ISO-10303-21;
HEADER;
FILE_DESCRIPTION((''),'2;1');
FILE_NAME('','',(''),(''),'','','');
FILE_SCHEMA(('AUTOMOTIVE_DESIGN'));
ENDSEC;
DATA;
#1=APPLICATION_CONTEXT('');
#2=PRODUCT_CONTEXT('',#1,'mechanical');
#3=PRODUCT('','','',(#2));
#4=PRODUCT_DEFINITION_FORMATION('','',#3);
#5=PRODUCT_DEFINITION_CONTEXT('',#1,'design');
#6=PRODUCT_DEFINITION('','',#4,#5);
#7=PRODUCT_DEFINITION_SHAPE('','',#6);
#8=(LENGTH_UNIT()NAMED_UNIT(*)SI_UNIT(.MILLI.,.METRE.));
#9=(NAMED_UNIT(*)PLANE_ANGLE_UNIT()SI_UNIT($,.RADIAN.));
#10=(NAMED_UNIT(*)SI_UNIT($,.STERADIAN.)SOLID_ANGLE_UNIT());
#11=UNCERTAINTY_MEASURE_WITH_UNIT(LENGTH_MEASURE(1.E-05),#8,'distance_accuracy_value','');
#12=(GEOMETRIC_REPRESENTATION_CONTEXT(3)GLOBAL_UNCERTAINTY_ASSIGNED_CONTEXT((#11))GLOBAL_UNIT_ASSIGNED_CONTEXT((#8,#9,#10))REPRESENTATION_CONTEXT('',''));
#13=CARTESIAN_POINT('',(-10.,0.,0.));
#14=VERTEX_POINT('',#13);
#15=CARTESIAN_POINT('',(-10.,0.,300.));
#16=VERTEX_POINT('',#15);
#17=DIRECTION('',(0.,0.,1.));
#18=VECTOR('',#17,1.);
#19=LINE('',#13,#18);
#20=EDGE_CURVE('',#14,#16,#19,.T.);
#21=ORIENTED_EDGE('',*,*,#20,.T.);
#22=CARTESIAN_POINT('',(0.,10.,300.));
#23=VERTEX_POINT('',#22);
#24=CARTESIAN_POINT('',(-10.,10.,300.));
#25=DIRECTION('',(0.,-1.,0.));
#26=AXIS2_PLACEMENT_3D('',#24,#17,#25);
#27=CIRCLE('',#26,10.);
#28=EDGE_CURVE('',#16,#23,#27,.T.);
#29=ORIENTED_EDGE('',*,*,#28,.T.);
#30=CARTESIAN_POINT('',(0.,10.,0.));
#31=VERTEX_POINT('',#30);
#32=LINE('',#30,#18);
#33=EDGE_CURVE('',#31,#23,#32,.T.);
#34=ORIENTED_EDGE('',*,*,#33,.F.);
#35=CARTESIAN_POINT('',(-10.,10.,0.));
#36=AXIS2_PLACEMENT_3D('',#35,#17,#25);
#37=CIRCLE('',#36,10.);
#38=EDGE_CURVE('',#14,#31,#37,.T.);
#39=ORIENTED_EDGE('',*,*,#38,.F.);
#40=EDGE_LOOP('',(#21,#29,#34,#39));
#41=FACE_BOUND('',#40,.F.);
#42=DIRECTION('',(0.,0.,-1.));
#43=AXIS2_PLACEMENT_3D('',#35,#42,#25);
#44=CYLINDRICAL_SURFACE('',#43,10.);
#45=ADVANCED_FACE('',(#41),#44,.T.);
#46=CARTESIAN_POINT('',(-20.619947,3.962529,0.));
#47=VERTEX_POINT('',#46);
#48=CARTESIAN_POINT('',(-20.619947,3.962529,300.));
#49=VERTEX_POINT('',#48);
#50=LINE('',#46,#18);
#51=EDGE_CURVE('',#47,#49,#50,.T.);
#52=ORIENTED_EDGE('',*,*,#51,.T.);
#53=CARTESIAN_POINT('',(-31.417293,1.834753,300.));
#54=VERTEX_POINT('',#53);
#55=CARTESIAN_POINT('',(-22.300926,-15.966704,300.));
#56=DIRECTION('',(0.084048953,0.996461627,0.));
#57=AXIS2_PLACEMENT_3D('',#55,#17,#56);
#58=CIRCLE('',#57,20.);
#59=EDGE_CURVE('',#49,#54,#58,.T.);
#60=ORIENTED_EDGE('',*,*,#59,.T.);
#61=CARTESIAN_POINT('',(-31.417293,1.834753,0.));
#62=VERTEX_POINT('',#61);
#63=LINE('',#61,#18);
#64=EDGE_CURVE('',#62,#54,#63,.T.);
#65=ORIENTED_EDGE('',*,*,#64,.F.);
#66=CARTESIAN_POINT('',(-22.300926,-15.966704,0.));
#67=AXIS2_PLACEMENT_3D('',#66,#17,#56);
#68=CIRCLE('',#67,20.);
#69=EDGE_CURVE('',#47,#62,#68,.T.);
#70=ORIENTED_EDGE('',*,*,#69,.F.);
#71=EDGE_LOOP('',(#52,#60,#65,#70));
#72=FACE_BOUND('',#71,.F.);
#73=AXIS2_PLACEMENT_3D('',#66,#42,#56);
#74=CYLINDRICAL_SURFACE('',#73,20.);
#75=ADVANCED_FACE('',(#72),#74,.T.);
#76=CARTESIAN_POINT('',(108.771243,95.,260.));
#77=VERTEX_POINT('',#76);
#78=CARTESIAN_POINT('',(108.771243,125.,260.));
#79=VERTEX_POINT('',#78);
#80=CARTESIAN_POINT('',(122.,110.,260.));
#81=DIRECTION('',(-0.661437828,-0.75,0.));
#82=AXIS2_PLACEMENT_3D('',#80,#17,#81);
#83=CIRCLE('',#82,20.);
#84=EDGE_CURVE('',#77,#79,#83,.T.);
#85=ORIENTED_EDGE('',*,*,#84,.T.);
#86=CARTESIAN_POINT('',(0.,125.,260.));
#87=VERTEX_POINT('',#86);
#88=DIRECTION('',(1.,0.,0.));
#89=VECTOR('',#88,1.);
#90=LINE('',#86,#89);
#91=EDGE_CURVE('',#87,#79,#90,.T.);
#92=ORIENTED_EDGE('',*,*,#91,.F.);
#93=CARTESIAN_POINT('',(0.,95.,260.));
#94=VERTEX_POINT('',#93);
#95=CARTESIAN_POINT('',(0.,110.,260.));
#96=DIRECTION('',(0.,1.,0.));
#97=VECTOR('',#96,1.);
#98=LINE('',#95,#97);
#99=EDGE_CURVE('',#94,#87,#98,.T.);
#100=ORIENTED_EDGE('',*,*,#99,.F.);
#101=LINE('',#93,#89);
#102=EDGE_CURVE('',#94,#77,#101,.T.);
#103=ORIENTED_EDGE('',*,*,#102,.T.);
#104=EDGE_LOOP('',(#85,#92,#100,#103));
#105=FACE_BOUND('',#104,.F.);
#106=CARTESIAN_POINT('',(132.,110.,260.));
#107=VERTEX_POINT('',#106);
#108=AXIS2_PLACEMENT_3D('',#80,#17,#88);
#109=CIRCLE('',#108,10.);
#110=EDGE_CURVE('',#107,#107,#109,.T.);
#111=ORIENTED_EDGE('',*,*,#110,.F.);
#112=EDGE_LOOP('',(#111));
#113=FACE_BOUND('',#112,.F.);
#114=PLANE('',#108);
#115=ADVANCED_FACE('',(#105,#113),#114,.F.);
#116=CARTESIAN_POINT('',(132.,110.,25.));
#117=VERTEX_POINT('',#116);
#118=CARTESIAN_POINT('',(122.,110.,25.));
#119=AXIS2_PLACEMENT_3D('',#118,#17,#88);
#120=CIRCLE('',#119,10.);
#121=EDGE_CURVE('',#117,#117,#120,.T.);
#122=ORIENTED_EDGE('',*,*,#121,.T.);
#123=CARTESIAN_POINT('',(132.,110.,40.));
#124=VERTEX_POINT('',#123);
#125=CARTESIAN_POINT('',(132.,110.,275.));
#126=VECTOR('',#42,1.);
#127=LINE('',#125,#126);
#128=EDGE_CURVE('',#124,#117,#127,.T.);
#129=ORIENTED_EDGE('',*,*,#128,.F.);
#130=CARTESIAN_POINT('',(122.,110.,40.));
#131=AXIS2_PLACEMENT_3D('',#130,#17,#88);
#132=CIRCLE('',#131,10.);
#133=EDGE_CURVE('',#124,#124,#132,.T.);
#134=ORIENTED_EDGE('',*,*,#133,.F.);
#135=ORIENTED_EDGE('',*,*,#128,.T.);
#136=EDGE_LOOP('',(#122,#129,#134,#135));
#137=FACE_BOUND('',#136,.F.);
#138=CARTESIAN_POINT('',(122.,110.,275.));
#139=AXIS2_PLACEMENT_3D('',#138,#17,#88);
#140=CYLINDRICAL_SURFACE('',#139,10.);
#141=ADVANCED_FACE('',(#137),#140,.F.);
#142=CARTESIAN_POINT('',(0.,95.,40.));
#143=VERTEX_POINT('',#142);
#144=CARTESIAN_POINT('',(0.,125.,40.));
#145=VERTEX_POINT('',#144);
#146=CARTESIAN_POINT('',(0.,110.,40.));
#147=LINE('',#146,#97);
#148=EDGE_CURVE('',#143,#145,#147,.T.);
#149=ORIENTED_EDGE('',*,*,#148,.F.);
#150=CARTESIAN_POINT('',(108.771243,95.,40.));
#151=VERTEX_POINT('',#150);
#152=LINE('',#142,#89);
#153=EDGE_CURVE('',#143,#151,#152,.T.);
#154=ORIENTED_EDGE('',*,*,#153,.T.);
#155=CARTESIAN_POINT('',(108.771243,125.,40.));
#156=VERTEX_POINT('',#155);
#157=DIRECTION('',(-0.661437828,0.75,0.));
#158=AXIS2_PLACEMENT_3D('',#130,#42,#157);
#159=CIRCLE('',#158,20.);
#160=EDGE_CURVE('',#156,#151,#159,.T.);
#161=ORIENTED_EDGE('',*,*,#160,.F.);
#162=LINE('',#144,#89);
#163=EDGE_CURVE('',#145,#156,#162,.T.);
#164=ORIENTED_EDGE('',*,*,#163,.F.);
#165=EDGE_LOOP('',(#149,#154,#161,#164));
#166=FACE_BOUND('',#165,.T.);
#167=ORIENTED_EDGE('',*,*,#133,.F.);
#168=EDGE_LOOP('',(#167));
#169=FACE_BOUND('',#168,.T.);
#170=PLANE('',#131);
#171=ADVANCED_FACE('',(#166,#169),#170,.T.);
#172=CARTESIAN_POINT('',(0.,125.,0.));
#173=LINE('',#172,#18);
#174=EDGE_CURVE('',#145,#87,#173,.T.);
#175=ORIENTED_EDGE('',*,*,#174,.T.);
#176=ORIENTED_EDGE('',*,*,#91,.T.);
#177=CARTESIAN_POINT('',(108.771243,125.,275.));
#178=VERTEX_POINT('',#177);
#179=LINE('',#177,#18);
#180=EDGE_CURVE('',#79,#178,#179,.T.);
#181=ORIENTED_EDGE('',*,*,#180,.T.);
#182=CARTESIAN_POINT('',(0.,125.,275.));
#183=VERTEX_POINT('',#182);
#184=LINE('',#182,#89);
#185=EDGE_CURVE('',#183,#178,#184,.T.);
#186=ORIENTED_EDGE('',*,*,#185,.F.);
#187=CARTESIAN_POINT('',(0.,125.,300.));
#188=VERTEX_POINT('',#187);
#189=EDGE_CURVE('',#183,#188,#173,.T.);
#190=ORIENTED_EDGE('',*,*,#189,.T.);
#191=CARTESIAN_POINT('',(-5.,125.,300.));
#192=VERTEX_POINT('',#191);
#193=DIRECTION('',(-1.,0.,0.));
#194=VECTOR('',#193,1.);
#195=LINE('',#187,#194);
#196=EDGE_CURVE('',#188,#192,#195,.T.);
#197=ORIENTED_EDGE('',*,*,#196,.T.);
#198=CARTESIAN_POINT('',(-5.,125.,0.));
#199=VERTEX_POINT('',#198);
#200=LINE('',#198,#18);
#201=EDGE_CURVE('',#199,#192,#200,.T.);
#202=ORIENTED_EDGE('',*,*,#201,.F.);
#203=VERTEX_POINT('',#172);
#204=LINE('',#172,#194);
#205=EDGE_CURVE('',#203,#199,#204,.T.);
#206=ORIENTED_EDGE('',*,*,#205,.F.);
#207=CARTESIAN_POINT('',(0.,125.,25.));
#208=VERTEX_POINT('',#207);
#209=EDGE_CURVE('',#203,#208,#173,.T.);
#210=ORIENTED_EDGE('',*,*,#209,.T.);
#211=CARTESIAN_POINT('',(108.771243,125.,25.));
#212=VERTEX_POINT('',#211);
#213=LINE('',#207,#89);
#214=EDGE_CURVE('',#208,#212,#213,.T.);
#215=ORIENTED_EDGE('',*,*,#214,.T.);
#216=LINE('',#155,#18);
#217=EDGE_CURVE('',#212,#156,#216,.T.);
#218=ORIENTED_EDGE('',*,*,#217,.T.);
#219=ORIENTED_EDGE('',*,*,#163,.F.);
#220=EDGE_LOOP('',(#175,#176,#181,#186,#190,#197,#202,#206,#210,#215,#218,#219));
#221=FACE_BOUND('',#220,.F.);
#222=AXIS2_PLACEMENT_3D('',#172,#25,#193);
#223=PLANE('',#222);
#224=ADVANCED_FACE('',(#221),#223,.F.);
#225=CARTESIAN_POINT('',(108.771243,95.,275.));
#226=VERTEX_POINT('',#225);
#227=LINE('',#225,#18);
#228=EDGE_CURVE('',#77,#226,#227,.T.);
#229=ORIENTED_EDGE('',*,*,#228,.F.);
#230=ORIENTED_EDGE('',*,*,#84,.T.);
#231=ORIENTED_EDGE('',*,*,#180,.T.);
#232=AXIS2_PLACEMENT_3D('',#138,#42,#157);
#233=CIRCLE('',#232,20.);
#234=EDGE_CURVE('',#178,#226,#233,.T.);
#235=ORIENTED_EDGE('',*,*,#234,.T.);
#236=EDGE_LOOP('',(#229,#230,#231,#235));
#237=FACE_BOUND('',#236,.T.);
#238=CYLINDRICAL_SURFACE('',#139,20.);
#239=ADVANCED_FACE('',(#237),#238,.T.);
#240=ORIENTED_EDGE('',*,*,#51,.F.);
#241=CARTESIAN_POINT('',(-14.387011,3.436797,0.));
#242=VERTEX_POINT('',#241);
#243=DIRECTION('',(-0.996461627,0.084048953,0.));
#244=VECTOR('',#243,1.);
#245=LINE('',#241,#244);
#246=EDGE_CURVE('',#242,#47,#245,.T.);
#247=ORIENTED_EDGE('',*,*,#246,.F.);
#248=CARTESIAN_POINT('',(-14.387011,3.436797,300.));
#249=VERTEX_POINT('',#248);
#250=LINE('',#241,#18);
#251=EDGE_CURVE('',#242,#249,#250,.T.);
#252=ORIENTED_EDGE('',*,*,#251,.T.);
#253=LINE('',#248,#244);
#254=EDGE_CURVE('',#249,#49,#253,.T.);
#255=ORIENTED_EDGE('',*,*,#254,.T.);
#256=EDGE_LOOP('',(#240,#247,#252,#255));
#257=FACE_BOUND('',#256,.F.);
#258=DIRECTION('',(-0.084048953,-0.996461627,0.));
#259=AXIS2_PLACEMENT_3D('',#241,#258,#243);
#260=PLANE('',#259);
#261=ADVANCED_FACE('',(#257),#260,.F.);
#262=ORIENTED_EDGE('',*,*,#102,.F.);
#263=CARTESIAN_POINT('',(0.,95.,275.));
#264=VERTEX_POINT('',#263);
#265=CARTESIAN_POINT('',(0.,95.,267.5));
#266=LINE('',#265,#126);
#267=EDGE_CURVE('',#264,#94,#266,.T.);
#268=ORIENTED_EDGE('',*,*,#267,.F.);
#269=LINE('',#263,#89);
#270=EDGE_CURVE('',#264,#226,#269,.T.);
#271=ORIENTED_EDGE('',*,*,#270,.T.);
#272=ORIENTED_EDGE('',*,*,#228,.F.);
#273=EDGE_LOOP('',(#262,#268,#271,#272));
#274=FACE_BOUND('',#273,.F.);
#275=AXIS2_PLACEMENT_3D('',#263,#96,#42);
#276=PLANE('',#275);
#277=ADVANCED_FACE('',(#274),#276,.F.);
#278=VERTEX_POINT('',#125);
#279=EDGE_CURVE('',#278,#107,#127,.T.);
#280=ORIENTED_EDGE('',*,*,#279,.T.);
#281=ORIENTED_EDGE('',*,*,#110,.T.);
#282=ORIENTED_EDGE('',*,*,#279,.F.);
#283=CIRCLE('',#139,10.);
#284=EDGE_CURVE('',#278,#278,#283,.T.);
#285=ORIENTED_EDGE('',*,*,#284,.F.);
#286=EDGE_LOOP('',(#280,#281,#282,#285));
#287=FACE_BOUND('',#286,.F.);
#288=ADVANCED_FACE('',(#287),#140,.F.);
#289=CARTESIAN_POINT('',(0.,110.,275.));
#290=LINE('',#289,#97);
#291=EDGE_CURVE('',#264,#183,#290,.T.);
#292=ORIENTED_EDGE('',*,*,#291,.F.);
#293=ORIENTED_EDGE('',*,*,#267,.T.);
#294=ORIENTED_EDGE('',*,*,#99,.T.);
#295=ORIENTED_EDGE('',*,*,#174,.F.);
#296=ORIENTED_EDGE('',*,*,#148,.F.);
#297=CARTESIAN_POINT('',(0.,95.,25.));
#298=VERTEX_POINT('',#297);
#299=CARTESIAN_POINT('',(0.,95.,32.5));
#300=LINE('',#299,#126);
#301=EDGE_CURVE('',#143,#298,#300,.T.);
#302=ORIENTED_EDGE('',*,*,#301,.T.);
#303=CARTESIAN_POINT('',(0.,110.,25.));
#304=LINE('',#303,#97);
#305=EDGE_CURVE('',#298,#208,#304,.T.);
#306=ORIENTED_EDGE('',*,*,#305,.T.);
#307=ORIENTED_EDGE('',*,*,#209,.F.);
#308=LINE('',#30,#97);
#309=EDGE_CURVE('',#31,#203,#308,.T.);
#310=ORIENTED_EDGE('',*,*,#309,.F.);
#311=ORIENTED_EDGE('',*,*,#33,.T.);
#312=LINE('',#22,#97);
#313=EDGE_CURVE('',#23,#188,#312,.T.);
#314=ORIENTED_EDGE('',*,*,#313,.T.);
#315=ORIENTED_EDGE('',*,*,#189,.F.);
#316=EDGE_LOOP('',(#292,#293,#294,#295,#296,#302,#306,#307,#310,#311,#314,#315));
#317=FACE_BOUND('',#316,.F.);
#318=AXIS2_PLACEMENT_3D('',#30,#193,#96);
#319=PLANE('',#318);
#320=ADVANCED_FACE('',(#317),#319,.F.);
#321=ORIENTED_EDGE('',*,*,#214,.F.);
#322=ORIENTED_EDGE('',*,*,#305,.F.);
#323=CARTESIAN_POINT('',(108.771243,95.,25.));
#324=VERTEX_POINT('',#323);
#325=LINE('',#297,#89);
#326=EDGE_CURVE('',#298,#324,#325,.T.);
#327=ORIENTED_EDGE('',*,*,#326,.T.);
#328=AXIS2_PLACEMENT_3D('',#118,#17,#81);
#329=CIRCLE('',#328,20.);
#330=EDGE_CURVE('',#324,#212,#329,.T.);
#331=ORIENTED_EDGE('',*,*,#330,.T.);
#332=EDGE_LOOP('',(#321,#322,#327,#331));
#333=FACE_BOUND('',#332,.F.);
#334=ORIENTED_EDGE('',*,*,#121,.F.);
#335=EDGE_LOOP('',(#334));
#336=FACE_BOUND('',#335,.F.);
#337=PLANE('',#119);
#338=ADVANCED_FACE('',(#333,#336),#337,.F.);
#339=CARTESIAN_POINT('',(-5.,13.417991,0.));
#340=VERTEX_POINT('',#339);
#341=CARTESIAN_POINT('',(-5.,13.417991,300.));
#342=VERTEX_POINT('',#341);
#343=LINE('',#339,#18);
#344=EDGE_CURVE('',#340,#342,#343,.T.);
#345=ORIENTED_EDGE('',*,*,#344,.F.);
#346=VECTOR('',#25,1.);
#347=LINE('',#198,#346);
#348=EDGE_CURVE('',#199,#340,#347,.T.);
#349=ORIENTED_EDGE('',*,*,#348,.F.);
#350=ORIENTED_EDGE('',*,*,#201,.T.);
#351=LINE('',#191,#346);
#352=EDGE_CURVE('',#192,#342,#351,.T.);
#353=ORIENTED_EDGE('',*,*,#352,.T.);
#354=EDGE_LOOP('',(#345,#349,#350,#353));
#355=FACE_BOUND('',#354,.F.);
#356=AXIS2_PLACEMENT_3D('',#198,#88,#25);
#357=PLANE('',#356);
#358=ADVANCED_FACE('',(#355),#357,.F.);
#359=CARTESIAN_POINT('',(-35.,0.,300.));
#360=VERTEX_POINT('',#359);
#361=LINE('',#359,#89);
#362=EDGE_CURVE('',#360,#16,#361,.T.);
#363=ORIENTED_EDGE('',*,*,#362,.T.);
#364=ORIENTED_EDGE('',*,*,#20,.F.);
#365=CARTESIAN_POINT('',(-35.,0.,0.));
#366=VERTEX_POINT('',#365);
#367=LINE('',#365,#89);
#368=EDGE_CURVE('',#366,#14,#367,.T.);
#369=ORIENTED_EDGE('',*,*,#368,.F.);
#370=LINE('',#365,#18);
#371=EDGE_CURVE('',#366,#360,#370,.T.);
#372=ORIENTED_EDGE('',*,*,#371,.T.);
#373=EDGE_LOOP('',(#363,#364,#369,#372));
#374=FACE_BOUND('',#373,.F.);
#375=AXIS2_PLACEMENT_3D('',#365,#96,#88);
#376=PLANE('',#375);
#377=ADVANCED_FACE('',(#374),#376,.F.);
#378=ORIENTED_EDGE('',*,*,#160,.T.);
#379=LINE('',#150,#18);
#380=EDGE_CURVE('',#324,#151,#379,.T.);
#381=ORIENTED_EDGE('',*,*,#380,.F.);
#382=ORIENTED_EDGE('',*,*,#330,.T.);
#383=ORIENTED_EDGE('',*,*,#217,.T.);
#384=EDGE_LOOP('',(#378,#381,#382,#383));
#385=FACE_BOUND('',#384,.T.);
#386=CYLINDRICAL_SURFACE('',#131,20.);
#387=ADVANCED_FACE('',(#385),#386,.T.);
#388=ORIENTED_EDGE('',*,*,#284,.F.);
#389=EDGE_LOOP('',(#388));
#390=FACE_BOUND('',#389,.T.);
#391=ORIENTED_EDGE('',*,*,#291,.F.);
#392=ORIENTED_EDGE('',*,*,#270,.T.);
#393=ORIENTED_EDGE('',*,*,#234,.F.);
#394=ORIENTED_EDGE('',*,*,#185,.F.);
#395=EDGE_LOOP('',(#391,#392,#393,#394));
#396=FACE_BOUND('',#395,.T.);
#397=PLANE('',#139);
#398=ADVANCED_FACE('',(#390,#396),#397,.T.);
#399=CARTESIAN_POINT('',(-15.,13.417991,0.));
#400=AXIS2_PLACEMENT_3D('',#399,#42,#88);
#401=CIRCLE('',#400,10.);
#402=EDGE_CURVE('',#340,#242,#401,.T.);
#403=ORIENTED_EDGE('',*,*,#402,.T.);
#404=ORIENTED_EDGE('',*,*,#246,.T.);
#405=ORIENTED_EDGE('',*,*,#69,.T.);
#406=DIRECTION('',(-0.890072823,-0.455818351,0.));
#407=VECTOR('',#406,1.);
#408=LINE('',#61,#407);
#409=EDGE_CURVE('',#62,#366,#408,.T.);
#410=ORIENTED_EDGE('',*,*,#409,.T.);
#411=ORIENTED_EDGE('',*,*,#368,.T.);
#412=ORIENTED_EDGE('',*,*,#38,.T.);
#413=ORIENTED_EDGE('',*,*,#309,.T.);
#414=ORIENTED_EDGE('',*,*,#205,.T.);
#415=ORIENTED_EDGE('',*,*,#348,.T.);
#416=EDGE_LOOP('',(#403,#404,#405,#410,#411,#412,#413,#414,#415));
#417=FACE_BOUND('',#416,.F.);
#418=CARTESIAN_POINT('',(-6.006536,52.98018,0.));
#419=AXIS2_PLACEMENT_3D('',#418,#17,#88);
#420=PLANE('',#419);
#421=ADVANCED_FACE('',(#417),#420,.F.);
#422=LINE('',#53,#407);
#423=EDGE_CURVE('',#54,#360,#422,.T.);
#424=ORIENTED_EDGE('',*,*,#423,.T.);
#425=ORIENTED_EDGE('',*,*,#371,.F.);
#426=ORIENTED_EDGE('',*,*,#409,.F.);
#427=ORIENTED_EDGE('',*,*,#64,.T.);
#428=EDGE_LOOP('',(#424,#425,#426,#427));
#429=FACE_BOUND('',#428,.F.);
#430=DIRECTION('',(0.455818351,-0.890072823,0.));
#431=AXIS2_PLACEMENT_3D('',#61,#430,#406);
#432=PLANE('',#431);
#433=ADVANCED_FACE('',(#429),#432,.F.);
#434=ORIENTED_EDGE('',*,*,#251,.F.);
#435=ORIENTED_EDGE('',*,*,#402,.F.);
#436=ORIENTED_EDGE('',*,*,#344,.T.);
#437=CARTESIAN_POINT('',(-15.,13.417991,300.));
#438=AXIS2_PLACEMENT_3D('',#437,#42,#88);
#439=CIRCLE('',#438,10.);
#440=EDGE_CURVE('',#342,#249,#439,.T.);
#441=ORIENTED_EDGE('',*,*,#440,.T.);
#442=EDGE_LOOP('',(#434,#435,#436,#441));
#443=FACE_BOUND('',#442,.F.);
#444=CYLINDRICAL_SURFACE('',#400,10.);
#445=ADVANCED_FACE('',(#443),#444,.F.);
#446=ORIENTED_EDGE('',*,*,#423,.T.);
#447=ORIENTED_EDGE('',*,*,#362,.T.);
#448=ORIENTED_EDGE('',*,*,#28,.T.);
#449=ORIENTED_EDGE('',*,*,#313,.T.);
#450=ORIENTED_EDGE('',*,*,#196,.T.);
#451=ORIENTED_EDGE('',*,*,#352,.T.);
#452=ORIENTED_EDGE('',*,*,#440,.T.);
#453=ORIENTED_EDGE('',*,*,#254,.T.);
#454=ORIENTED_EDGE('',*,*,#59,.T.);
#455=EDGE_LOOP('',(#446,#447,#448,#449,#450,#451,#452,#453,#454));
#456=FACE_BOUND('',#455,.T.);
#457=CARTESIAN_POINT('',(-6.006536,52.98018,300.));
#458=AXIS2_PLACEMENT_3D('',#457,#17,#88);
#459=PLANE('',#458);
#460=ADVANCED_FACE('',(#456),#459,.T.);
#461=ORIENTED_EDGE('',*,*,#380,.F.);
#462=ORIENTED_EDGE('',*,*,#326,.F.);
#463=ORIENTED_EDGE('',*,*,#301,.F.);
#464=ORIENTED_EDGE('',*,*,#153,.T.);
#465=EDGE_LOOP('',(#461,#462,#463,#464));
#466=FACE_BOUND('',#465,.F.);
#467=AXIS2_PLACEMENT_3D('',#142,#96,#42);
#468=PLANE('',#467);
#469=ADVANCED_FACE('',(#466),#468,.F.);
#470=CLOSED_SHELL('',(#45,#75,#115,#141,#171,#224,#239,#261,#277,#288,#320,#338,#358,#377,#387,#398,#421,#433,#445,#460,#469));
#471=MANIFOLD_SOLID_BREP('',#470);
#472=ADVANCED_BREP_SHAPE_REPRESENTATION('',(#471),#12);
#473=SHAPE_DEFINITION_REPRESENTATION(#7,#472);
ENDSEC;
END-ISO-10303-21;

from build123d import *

# Parameters (mm, degrees)
BOSS_EXTRU_1_DEPTH      = 300
ESQUISSE3_W             = 15
ESQUISSE3_H             = 30
BOSS_EXTRU_2_DEPTH      = 115
ESQUISSE4_R             = 20
BOSS_EXTRU_3_DEPTH      = 15
ESQUISSE6_R             = 20
BOSS_EXTRU_4_DEPTH      = 15
ESQUISSE5_R             = 10
ENL_V_MAT_EXTRU_1_DEPTH = 276


with BuildPart() as part:
    # Esquisse1 → Boss.-Extru.1 (new body)
    with BuildSketch(Plane.XY):
        with BuildLine():
            Line((-5, 125), (-5, 35))
            Line((-5, 35), (-5, 13.417991274))
            ThreePointArc((-5, 13.417991274), (-7.715430946, 6.567075008), (-14.387010739, 3.436796748))
            Line((-14.387010739, 3.436796748), (-20.619947118, 3.962528759))
            ThreePointArc((-20.619947118, 3.962528759), (-26.167850826, 3.655908021), (-31.417293187, 1.834752694))
            Line((-31.417293187, 1.834752694), (-35, 0))
            Line((-35, 0), (-10, 0))
            ThreePointArc((-10, 0), (-2.928932188, 2.928932188), (0, 10))
            Line((0, 10), (0, 30))
            Line((0, 30), (0, 125))
            Line((0, 125), (-5, 125))
        make_face()
    extrude(amount=BOSS_EXTRU_1_DEPTH)

    # Esquisse3 → Boss.-Extru.2 (add)
    with BuildSketch(Plane(origin=(0, 0, 0), x_dir=(0, 0, -1), z_dir=(1, 0, 0))):
        with Locations((-267.5, 110)):
            Rectangle(ESQUISSE3_W, ESQUISSE3_H)
        with Locations((-32.5, 110)):
            Rectangle(ESQUISSE3_W, ESQUISSE3_H)
    extrude(amount=BOSS_EXTRU_2_DEPTH)

    # Esquisse4 → Boss.-Extru.3 (add)
    with BuildSketch(Plane.XY.offset(275)):
        with Locations((122, 110)):
            Circle(ESQUISSE4_R)
    extrude(amount=-BOSS_EXTRU_3_DEPTH)

    # Esquisse6 → Boss.-Extru.4 (add)
    with BuildSketch(Plane.XY.offset(40)):
        with Locations((122, 110)):
            Circle(ESQUISSE6_R)
    extrude(amount=-BOSS_EXTRU_4_DEPTH)

    # Esquisse5 → Enlèv. mat.-Extru.1 (cut, through all)
    with BuildSketch(Plane.XY.offset(275)):
        with Locations((122, 110)):
            Circle(ESQUISSE5_R)
    extrude(amount=-ENL_V_MAT_EXTRU_1_DEPTH, mode=Mode.SUBTRACT)


solid = part.part
